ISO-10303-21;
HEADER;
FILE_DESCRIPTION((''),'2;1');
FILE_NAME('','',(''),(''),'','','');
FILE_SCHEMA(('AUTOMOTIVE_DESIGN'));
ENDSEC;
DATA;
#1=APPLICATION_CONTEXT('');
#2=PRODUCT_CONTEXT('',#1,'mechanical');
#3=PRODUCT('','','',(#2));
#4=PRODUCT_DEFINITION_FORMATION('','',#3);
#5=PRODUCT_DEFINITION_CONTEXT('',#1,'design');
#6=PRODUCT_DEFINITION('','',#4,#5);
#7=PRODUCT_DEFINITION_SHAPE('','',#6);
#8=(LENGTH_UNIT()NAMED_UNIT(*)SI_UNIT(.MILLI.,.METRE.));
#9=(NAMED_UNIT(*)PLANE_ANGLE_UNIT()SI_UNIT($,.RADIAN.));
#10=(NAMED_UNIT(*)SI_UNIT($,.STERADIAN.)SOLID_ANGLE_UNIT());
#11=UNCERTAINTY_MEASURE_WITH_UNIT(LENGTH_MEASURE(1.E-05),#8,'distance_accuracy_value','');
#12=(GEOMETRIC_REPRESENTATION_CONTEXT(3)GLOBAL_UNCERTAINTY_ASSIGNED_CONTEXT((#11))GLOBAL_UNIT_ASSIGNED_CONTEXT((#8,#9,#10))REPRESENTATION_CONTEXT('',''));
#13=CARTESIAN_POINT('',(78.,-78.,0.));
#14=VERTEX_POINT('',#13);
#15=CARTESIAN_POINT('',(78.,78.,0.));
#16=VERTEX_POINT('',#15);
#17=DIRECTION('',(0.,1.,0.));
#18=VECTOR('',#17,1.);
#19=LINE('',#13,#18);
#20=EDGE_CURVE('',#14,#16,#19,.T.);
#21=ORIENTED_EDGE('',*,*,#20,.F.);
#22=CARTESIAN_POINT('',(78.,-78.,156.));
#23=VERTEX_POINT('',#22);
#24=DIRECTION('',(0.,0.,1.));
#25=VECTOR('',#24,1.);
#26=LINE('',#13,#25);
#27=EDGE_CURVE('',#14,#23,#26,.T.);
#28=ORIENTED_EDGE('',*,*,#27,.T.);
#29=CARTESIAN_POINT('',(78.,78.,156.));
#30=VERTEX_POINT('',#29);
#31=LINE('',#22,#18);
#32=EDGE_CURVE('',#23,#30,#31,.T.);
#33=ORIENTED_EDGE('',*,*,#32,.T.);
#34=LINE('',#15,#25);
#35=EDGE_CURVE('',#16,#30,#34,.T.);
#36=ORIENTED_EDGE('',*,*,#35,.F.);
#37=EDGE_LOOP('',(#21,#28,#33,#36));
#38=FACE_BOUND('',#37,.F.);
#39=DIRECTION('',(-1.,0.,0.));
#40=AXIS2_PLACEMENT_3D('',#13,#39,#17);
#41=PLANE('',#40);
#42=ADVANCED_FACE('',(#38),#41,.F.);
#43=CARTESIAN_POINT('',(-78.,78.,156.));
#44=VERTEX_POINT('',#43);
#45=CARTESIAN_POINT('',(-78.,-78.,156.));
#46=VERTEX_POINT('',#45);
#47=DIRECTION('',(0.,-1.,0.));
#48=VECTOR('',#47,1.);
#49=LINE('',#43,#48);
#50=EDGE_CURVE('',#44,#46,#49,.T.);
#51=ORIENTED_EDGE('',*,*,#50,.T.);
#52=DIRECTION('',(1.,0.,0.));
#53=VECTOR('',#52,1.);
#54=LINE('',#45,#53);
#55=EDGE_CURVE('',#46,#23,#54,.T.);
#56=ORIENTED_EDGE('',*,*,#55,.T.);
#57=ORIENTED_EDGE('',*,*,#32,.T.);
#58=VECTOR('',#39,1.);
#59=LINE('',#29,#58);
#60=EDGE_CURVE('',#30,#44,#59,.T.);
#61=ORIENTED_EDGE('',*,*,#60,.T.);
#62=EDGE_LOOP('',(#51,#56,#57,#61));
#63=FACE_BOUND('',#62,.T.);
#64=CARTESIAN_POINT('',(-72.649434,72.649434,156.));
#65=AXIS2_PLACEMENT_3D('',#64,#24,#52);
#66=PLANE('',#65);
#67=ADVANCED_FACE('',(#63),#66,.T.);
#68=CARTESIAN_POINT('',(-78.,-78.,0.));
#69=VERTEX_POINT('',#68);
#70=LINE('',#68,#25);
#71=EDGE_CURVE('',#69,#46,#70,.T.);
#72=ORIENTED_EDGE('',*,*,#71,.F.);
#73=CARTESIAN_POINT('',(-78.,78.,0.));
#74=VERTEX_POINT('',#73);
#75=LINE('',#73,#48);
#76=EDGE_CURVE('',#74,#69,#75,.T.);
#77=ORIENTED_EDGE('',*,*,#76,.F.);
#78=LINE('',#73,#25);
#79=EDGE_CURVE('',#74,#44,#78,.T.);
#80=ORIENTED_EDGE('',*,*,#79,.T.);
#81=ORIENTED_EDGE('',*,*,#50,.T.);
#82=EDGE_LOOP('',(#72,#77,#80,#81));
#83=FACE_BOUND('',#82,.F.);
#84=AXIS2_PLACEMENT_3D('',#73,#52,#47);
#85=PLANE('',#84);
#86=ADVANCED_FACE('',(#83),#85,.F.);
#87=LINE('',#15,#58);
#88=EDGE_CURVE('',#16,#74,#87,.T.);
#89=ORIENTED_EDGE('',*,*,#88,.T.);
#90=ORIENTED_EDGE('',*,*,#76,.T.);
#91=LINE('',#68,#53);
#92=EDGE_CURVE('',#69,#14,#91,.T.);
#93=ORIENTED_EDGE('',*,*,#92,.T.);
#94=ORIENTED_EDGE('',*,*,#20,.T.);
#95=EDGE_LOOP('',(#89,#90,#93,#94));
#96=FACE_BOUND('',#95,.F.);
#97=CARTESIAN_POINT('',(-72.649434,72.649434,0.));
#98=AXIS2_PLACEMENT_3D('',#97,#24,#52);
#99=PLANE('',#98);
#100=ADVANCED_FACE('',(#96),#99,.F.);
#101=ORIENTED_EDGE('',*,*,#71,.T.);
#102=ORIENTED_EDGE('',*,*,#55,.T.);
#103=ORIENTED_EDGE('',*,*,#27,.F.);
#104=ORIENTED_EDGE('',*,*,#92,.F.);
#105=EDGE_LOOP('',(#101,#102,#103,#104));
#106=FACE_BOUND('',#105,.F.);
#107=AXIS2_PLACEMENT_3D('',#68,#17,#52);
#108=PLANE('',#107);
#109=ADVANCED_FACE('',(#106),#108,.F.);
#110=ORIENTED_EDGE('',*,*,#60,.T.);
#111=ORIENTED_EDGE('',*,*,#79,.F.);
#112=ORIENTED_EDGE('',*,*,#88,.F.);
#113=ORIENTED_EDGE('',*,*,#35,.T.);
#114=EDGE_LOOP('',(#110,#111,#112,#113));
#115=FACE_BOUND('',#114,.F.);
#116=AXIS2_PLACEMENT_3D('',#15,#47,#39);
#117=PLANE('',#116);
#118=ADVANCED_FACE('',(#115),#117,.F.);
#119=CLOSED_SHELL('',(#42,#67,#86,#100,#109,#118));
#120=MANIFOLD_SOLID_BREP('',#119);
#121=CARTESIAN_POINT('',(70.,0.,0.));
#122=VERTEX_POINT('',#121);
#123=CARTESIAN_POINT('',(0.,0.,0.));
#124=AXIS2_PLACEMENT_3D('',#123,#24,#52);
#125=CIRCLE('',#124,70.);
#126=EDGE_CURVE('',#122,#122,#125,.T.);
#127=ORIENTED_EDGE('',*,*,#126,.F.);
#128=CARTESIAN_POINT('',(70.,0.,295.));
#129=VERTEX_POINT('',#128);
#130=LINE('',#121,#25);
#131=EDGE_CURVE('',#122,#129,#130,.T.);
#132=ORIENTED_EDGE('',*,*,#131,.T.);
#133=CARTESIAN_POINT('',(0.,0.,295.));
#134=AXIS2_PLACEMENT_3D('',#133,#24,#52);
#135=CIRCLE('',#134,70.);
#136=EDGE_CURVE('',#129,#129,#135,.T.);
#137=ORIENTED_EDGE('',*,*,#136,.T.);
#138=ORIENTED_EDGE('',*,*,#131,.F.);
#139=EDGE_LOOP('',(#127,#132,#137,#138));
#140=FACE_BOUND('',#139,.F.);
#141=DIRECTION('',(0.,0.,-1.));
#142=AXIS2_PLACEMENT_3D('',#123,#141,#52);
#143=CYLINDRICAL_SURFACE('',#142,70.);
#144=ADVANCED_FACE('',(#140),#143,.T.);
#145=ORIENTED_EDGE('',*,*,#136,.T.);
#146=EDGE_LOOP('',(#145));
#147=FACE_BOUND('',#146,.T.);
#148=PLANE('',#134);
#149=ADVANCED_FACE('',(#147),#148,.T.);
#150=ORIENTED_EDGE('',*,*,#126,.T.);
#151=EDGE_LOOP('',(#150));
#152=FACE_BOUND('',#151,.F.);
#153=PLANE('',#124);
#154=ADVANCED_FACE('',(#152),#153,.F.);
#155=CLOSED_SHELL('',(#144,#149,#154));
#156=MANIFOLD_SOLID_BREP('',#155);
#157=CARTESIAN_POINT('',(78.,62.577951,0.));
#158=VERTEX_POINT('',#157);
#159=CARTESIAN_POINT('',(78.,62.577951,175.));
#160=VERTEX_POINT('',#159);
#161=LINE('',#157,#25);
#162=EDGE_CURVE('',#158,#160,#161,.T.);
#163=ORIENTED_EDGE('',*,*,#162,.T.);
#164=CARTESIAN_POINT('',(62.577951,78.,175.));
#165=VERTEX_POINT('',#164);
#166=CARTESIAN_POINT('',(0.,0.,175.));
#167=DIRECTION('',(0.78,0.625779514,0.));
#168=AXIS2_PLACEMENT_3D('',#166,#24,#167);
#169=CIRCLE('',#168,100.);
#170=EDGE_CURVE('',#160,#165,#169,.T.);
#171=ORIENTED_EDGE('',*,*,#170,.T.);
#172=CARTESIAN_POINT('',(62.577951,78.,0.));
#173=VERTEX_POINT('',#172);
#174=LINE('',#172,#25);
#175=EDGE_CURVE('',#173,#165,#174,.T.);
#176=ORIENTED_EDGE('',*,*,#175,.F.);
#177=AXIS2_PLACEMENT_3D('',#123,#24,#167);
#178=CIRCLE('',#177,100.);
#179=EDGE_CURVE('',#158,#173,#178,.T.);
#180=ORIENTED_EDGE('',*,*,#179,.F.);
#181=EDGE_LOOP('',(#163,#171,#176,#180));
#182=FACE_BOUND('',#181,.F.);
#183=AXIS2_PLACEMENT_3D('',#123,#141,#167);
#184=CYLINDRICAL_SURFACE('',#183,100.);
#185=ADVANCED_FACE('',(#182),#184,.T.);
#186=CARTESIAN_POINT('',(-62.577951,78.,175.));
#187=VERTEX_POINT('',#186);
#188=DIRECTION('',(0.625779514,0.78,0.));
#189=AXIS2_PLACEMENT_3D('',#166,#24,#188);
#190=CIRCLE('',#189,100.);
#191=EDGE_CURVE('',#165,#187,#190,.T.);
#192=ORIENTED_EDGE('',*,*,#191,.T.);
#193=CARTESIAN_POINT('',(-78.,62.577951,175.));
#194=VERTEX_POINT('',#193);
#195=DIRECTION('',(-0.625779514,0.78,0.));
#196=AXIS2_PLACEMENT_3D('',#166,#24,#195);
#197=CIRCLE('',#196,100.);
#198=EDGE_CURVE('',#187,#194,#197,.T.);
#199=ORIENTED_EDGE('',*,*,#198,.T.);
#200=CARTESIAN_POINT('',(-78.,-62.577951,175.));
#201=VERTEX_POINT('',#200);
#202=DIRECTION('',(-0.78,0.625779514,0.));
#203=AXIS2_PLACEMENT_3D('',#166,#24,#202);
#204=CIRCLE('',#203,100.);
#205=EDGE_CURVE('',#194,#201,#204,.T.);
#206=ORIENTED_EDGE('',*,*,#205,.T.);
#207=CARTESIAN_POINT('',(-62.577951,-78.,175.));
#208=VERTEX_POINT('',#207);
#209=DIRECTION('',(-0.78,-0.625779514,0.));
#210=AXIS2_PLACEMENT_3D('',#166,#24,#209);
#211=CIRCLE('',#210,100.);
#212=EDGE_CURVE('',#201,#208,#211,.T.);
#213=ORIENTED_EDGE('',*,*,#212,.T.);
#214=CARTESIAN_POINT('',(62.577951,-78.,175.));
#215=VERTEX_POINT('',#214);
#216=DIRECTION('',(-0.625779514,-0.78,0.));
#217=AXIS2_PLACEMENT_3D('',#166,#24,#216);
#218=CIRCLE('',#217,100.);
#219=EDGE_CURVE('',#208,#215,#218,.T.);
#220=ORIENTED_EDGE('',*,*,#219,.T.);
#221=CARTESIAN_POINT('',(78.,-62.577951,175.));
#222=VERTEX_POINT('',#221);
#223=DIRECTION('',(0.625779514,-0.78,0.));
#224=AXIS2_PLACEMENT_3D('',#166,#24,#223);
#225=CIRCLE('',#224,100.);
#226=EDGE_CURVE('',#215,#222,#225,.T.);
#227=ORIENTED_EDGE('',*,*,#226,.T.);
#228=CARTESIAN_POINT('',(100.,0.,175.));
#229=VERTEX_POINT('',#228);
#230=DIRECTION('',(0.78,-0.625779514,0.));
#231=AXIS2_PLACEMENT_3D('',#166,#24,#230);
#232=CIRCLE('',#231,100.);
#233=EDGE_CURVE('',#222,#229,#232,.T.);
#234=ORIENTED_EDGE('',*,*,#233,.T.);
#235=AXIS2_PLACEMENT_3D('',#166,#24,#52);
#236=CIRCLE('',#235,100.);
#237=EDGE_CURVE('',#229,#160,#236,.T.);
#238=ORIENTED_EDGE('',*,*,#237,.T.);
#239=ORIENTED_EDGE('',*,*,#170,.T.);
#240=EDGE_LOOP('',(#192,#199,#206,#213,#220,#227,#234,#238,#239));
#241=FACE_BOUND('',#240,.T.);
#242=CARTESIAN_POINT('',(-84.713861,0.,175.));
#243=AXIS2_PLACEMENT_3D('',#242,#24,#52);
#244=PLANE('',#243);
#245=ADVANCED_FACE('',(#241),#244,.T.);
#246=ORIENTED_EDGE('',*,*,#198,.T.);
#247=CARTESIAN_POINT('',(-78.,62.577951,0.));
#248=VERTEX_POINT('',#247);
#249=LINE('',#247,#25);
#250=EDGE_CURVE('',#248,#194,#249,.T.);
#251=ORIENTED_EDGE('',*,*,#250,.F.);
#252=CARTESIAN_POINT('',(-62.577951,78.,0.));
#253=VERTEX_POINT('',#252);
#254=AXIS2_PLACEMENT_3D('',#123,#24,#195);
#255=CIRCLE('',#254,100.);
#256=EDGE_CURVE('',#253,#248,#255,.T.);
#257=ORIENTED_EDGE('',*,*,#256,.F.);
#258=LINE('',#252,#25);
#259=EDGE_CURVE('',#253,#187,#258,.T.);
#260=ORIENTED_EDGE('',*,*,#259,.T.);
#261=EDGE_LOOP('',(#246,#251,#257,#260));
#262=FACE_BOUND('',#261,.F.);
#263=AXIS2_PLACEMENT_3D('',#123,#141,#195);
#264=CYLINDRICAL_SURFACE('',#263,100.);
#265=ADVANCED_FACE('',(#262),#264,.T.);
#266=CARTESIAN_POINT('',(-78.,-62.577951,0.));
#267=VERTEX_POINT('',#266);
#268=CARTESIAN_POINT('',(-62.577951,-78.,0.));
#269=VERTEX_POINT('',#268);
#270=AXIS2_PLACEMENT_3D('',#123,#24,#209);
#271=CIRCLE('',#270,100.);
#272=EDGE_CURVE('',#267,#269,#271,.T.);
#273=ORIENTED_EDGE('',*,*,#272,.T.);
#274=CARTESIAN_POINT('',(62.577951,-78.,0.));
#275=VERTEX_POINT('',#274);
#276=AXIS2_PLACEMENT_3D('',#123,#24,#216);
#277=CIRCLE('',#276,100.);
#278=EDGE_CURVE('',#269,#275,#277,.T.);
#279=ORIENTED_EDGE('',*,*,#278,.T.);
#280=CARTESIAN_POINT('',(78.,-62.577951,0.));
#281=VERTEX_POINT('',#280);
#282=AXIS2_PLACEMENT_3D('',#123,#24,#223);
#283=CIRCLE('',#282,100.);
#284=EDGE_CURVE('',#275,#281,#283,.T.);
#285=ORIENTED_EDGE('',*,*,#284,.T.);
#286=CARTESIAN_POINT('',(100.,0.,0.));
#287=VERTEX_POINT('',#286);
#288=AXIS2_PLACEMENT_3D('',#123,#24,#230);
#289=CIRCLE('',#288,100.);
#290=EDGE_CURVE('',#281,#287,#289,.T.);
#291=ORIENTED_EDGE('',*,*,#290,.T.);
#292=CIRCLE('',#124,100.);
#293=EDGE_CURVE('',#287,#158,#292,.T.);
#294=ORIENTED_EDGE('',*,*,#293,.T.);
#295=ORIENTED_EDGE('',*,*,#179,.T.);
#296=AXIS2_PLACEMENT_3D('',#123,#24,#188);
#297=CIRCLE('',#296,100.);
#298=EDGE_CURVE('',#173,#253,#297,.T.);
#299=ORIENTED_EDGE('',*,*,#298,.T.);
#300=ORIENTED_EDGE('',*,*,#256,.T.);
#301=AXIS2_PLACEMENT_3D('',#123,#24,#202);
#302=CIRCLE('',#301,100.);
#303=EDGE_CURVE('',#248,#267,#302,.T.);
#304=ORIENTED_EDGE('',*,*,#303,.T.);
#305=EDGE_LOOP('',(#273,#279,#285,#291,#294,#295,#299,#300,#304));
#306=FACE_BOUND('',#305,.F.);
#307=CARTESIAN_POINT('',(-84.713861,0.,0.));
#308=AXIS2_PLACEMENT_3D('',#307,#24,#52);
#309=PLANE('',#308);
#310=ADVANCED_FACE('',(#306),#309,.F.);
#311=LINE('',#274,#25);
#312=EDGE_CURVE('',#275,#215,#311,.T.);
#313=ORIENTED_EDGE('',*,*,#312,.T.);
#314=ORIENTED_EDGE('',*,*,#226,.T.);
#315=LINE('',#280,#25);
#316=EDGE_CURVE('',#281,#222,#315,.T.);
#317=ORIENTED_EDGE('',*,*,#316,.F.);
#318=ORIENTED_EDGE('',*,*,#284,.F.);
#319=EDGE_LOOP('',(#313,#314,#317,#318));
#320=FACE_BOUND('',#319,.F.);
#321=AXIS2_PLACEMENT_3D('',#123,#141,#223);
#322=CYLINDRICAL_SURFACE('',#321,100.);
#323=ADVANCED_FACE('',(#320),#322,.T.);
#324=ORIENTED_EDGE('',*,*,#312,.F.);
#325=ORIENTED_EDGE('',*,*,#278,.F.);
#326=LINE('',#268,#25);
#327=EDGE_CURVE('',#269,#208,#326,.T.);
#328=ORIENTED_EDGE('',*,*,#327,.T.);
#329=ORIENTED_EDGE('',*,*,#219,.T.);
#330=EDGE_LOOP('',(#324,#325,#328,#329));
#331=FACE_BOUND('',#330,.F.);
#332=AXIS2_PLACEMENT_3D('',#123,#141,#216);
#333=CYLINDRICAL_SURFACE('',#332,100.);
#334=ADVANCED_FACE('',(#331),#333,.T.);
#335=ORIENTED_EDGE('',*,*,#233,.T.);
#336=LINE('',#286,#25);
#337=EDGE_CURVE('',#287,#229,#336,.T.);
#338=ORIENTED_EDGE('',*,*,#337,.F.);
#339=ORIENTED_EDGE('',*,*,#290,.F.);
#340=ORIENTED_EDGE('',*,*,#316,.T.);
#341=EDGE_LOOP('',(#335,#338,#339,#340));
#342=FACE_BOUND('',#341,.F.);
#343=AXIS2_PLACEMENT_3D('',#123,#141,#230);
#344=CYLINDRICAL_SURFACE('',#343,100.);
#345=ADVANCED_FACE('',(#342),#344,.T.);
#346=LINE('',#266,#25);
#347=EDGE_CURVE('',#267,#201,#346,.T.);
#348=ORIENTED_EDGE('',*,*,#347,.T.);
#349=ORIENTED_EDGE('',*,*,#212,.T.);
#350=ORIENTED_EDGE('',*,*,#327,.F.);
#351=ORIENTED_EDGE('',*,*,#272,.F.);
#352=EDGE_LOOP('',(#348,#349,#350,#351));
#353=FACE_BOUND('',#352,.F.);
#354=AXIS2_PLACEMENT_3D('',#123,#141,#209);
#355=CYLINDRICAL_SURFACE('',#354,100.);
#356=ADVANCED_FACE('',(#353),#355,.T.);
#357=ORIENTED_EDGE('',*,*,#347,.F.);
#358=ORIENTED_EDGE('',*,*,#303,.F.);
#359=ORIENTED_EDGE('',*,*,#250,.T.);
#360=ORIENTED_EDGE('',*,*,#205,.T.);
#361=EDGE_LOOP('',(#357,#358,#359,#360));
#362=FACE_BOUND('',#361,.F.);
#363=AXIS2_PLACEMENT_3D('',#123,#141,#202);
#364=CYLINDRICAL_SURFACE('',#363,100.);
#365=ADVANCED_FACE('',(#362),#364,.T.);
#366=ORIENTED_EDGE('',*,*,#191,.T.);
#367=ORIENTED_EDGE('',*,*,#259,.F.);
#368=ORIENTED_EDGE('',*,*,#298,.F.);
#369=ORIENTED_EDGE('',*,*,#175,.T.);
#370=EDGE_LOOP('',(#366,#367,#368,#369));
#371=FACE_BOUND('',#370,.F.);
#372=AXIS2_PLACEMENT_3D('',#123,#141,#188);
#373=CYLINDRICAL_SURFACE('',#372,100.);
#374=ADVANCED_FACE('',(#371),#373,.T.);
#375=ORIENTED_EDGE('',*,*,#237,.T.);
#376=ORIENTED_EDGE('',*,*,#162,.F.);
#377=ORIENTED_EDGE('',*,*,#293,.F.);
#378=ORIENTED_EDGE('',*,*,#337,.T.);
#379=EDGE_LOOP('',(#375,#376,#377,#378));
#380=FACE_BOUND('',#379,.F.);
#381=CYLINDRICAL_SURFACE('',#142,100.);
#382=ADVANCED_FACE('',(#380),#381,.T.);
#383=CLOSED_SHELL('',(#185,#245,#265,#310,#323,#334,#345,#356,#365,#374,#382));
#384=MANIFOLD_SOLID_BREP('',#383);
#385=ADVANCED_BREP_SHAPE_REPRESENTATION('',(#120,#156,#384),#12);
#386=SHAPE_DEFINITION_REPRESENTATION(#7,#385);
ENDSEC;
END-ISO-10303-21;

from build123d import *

# Parameters (mm, degrees)
F0_R     = 70
F1_DEPTH = 156
F2_DEPTH = 175
F3_DEPTH = 295


with BuildPart() as f1:
    # F0 (on Top) → F1 (new body)
    with BuildSketch(Plane.XY):
        with BuildLine():
            ThreePointArc((-78, 62.5779513887), (-70.7106781187, 70.7106781187), (-62.5779513886, 78))
            Line((-62.5779513886, 78), (-78, 78))
            Line((-78, 78), (-78, 62.5779513887))
        make_face()
        with BuildLine():
            Line((78, -62.5779513886), (78, 62.5779513886))
            ThreePointArc((78, 62.5779513886), (70.7106781187, 70.7106781187), (62.5779513886, 78))
            Line((62.5779513886, 78), (-62.5779513886, 78))
            ThreePointArc((-62.5779513886, 78), (-70.7106781187, 70.7106781187), (-78, 62.5779513887))
            Line((-78, 62.5779513887), (-78, -62.5779513887))
            ThreePointArc((-78, -62.5779513887), (-70.7106781187, -70.7106781187), (-62.5779513886, -78))
            Line((-62.5779513886, -78), (62.5779513886, -78))
            ThreePointArc((62.5779513886, -78), (70.7106781187, -70.7106781187), (78, -62.5779513886))
        make_face()
        Circle(F0_R, mode=Mode.SUBTRACT)
        with BuildLine():
            ThreePointArc((62.5779513886, 78), (70.7106781187, 70.7106781187), (78, 62.5779513886))
            Line((78, 62.5779513886), (78, 78))
            Line((78, 78), (62.5779513886, 78))
        make_face()
        with BuildLine():
            Line((-78, -78), (-62.5779513886, -78))
            ThreePointArc((-62.5779513886, -78), (-70.7106781187, -70.7106781187), (-78, -62.5779513887))
            Line((-78, -62.5779513887), (-78, -78))
        make_face()
        with BuildLine():
            Line((78, -78), (78, -62.5779513886))
            ThreePointArc((78, -62.5779513886), (70.7106781187, -70.7106781187), (62.5779513886, -78))
            Line((62.5779513886, -78), (78, -78))
        make_face()
        Circle(F0_R)
    extrude(amount=F1_DEPTH)


with BuildPart() as f2:
    # F0 (on Top) → F2 (new body)
    with BuildSketch(Plane.XY):
        with BuildLine():
            Line((-78, -62.5779513887), (-78, 62.5779513887))
            ThreePointArc((-78, 62.5779513887), (-100, 0), (-78, -62.5779513887))
        make_face()
        with BuildLine():
            Line((78, -62.5779513886), (78, 62.5779513886))
            ThreePointArc((78, 62.5779513886), (70.7106781187, 70.7106781187), (62.5779513886, 78))
            Line((62.5779513886, 78), (-62.5779513886, 78))
            ThreePointArc((-62.5779513886, 78), (-70.7106781187, 70.7106781187), (-78, 62.5779513887))
            Line((-78, 62.5779513887), (-78, -62.5779513887))
            ThreePointArc((-78, -62.5779513887), (-70.7106781187, -70.7106781187), (-62.5779513886, -78))
            Line((-62.5779513886, -78), (62.5779513886, -78))
            ThreePointArc((62.5779513886, -78), (70.7106781187, -70.7106781187), (78, -62.5779513886))
        make_face()
        Circle(F0_R, mode=Mode.SUBTRACT)
        with BuildLine():
            ThreePointArc((-62.5779513886, -78), (0, -100), (62.5779513886, -78))
            Line((62.5779513886, -78), (-62.5779513886, -78))
        make_face()
        with BuildLine():
            ThreePointArc((78, -62.5779513886), (94.3398113206, -33.1662479036), (100, 0))
            ThreePointArc((100, 0), (94.3398113206, 33.1662479036), (78, 62.5779513886))
            Line((78, 62.5779513886), (78, -62.5779513886))
        make_face()
        with BuildLine():
            Line((-62.5779513886, 78), (62.5779513886, 78))
            ThreePointArc((62.5779513886, 78), (0, 100), (-62.5779513886, 78))
        make_face()
        Circle(F0_R)
    extrude(amount=F2_DEPTH)


with BuildPart() as f3:
    # F0 (on Top) → F3 (new body)
    with BuildSketch(Plane.XY):
        Circle(F0_R)
    extrude(amount=F3_DEPTH)


solid = Compound([f1.part, f2.part, f3.part])
